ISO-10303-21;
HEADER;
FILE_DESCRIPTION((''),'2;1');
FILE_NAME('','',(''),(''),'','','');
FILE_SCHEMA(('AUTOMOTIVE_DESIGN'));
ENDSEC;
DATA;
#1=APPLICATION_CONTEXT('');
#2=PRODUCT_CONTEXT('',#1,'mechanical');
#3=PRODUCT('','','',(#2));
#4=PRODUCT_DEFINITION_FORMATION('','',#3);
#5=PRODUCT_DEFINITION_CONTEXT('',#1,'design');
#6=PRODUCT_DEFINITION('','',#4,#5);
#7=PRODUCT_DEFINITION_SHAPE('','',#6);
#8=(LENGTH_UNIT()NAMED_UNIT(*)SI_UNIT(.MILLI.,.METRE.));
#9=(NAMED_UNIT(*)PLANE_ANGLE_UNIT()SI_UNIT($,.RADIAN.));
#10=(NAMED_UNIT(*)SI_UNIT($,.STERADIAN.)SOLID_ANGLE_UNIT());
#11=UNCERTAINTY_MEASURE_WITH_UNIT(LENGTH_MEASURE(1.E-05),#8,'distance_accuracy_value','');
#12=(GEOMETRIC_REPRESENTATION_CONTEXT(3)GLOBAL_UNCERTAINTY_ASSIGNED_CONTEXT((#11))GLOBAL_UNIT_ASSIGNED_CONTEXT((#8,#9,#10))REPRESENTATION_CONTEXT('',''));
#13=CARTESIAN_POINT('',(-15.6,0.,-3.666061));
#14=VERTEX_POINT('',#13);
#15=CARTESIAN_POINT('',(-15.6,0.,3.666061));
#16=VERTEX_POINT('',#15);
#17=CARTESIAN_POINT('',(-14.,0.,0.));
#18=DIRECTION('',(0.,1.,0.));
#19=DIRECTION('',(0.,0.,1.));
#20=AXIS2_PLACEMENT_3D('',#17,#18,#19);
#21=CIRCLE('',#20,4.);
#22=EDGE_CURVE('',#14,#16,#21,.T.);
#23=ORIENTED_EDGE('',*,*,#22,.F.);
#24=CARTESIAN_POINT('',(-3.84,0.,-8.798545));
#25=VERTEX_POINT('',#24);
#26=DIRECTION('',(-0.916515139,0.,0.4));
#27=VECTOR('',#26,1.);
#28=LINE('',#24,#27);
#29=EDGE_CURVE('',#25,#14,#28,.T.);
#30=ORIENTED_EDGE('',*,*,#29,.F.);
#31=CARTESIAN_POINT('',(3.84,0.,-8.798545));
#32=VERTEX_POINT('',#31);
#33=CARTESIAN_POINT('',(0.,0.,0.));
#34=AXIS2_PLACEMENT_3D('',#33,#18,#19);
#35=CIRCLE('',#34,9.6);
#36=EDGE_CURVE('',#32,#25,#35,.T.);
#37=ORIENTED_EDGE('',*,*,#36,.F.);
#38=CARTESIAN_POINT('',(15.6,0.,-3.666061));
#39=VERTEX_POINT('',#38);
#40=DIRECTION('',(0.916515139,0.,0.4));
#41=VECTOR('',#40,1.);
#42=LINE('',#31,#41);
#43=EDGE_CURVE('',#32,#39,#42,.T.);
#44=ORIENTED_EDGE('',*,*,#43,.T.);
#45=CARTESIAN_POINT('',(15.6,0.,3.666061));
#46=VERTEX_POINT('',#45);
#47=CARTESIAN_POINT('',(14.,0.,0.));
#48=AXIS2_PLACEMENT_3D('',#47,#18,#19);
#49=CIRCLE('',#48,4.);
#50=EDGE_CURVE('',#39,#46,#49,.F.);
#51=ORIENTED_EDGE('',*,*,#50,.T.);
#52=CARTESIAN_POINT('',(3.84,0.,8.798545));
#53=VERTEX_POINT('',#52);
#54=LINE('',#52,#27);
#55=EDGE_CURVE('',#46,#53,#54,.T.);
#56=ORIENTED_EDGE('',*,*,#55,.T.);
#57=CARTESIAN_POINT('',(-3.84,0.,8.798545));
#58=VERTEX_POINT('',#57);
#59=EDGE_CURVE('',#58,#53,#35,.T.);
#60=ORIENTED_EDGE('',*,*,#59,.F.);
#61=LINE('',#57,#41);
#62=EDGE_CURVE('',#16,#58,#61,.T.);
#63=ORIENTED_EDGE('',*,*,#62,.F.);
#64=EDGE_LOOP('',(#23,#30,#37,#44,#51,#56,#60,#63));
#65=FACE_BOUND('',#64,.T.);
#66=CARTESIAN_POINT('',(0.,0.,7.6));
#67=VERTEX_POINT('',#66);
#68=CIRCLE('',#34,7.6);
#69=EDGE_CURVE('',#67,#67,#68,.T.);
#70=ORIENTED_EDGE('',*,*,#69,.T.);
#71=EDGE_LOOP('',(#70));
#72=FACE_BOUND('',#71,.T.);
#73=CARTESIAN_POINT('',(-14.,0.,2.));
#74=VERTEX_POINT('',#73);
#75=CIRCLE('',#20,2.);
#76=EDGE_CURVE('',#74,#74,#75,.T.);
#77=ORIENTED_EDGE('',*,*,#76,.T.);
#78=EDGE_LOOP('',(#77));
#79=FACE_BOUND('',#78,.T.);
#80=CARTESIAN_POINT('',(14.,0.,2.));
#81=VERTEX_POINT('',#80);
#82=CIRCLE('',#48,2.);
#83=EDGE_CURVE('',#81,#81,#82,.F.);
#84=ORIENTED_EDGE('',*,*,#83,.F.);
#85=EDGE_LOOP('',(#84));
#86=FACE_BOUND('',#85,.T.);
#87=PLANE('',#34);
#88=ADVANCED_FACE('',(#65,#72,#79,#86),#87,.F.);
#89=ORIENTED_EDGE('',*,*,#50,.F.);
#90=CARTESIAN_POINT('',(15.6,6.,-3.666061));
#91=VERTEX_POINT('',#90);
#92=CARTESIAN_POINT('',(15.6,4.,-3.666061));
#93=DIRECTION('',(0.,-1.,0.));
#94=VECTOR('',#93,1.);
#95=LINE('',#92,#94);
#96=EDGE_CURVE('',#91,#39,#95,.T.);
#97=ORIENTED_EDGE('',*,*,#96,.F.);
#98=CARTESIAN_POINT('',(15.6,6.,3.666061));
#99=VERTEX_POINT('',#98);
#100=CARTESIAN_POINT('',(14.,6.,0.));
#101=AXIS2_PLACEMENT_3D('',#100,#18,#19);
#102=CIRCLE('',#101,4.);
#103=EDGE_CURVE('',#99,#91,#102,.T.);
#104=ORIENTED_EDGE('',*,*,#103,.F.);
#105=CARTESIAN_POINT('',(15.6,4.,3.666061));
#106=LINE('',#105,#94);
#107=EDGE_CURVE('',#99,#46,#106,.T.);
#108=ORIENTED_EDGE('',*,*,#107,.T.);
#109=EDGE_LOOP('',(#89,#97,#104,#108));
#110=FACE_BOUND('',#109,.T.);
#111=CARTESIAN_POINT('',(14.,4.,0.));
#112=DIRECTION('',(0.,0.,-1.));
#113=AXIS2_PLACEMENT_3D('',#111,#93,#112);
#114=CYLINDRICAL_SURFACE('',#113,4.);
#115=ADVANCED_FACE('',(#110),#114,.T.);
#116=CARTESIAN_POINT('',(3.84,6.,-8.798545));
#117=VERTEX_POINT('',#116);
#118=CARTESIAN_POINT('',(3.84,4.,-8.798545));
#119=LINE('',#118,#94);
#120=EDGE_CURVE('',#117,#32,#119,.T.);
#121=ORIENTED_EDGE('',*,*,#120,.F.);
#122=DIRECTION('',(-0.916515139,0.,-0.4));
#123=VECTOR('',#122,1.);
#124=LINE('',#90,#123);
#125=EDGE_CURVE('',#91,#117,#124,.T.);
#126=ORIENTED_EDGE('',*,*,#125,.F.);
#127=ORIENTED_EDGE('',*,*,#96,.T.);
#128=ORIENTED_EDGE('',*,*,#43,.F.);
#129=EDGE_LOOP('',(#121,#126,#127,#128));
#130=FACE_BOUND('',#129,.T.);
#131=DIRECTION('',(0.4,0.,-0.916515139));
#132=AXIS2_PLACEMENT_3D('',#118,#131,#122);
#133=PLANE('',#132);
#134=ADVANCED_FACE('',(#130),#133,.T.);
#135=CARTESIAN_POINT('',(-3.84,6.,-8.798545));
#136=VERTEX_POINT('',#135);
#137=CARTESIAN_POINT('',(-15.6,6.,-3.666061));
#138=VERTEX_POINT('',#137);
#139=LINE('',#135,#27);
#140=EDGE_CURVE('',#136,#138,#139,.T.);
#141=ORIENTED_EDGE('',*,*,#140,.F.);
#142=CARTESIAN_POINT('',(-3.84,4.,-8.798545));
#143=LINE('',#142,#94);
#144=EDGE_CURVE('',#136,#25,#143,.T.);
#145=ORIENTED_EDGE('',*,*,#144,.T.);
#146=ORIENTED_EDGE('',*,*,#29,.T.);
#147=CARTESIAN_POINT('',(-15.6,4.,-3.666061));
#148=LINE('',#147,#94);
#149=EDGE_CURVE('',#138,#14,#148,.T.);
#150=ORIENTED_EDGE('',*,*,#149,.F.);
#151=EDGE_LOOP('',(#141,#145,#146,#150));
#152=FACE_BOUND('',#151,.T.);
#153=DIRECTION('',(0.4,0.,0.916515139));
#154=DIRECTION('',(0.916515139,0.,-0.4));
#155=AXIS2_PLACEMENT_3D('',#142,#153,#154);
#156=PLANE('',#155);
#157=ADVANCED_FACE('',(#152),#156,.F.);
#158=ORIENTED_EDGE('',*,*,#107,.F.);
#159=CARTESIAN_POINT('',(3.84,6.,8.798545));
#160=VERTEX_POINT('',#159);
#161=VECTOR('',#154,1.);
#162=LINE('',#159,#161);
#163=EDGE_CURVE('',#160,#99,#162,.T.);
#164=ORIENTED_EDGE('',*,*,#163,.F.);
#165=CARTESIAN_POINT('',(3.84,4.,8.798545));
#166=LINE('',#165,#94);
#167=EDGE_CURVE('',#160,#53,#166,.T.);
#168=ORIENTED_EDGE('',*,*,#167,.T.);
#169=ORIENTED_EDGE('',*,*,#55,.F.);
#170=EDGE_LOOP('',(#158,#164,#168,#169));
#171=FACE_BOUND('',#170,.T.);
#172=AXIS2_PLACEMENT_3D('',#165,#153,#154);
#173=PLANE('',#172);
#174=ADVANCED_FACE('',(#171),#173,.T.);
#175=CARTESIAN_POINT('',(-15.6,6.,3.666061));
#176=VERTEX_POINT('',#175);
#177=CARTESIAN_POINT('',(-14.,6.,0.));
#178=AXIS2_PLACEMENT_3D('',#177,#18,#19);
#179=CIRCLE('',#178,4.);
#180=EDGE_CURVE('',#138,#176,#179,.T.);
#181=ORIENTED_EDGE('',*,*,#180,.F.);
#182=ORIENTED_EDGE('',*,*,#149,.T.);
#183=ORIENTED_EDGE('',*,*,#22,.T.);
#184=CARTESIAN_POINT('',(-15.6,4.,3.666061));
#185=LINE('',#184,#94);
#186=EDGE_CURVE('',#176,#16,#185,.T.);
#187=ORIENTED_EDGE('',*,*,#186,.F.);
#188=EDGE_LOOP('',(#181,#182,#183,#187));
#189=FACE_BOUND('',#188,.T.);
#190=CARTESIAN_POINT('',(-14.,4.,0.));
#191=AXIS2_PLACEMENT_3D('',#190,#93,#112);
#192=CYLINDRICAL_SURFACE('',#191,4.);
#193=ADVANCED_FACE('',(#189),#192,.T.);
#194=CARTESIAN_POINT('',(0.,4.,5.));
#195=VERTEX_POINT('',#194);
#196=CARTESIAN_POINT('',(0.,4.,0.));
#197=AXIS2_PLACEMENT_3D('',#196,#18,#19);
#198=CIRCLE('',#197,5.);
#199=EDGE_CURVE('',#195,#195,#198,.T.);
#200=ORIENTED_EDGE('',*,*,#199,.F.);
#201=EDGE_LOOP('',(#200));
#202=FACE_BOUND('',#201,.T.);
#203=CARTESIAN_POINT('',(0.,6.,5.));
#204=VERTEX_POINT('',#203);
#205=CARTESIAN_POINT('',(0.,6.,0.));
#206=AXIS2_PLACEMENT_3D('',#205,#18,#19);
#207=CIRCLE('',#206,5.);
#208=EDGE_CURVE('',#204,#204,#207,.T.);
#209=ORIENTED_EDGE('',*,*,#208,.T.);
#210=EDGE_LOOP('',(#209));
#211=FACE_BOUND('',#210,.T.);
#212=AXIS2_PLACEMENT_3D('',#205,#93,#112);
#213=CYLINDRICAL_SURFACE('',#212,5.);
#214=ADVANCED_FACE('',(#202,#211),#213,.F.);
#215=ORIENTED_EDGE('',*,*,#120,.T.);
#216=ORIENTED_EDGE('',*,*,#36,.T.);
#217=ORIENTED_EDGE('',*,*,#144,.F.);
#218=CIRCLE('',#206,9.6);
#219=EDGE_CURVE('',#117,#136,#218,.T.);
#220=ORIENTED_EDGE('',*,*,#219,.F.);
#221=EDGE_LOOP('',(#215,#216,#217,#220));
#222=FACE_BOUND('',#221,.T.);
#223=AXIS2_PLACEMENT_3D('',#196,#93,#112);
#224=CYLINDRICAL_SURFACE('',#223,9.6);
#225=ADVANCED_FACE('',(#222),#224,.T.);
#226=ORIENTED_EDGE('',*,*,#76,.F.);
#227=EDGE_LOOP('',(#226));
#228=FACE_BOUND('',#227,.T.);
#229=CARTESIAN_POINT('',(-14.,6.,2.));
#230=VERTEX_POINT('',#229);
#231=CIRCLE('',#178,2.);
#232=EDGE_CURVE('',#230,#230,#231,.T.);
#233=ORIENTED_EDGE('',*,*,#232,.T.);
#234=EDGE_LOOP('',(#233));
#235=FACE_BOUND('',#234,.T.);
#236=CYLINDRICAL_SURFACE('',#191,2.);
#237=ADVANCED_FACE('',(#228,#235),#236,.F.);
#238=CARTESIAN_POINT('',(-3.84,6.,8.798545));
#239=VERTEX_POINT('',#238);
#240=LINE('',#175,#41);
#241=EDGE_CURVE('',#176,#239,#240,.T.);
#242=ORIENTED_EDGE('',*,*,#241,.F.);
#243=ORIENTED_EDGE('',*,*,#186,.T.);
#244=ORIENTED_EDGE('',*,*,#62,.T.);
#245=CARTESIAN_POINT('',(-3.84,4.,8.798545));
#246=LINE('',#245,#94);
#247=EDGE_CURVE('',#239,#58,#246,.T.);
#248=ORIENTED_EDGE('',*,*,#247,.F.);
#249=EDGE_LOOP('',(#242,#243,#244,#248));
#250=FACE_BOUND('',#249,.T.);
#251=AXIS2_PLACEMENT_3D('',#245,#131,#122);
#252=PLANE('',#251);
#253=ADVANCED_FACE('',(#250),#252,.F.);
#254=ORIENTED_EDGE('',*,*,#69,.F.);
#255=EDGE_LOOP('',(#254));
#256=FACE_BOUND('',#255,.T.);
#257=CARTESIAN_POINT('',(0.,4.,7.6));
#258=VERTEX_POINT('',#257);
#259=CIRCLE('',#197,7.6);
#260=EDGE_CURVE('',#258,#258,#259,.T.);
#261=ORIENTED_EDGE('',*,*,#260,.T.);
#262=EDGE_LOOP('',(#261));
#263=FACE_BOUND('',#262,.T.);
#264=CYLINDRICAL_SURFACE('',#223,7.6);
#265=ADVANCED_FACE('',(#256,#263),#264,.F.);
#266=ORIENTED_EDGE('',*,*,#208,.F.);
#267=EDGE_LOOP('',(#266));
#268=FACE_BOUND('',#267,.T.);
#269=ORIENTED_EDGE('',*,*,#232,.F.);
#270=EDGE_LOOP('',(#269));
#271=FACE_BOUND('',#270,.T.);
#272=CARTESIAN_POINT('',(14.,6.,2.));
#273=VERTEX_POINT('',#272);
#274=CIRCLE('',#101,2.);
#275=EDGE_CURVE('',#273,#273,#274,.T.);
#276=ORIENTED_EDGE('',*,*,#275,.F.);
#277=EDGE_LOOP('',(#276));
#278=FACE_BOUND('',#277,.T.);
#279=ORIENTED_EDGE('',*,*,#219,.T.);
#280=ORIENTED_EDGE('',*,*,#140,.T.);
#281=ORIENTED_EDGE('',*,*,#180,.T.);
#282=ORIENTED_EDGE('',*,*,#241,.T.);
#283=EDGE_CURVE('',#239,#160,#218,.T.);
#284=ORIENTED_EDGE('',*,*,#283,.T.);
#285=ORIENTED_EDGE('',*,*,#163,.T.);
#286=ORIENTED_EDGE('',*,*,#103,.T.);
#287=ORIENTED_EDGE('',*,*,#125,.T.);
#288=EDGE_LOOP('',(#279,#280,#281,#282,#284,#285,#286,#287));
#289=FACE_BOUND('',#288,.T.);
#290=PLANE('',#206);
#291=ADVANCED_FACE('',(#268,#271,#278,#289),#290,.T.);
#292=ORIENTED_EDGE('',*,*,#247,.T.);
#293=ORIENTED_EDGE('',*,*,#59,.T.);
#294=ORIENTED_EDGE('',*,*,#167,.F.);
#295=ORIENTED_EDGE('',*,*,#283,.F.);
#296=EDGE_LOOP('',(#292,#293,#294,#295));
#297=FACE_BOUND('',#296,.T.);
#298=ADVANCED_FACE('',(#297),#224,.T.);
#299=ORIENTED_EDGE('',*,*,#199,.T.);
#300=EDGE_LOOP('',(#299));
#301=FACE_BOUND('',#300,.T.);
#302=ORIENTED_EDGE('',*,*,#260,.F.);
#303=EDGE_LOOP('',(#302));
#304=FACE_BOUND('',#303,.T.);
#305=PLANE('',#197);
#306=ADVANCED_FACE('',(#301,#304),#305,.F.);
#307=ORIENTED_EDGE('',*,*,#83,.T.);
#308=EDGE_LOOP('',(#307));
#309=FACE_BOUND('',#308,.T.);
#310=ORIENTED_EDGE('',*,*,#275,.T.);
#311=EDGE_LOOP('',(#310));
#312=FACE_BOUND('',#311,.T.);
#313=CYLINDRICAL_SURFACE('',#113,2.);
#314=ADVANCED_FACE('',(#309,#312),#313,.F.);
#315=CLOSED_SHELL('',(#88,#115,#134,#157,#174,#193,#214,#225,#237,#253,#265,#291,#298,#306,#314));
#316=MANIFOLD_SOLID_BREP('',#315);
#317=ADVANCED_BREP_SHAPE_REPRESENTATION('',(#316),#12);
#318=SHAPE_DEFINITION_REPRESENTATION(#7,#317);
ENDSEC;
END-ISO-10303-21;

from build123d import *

# Parameters (mm, degrees)
SKETCH1_R           = 2
SKETCH1_R_2         = 9.6
SKETCH1_R_3         = 7.6
BOSS_EXTRUDE1_DEPTH = 4
SKETCH2_R           = 5
SKETCH2_R_2         = 2
BOSS_EXTRUDE2_DEPTH = 2


with BuildPart() as part:
    # Sketch1 → Boss-Extrude1 (new body)
    # profile 1 of 3: a face of its own
    with BuildSketch(Plane(origin=(0, 0, 0), x_dir=(1, 0, 0), z_dir=(0, 1, 0))):
        with BuildLine():
            ThreePointArc((-3.84, -8.798545334), (-9.6, 0), (-3.84, 8.798545334))
            Line((-3.84, 8.798545334), (-15.6, 3.666060556))
            ThreePointArc((-15.6, 3.666060556), (-18, 0), (-15.6, -3.666060556))
            Line((-15.6, -3.666060556), (-3.84, -8.798545334))
        make_face()
        with Locations(Location((-14, 0, 0), (0, 0, 270))):
            Circle(SKETCH1_R, mode=Mode.SUBTRACT)
    # profile 2 of 3: a face of its own
    with BuildSketch(Plane(origin=(0, 0, 0), x_dir=(1, 0, 0), z_dir=(0, 1, 0))):
        Circle(SKETCH1_R_2)
        with Locations(Location((0, 0, 0), (0, 0, 270))):
            Circle(SKETCH1_R_3, mode=Mode.SUBTRACT)
    # profile 3 of 3: a face of its own
    with BuildSketch(Plane(origin=(0, 0, 0), x_dir=(1, 0, 0), z_dir=(0, 1, 0))):
        with BuildLine():
            Line((15.6, 3.666060556), (3.84, 8.798545334))
            ThreePointArc((3.84, 8.798545334), (8.031936255, 5.258136552), (9.6, 0))
            ThreePointArc((9.6, 0), (8.031936255, -5.258136552), (3.84, -8.798545334))
            Line((3.84, -8.798545334), (15.6, -3.666060556))
            ThreePointArc((15.6, -3.666060556), (18, 0), (15.6, 3.666060556))
        make_face()
        with Locations(Location((14, 0, 0), (0, 0, 270))):
            Circle(SKETCH1_R, mode=Mode.SUBTRACT)
    extrude(amount=BOSS_EXTRUDE1_DEPTH)

    # Sketch2 → Boss-Extrude2 (add)
    with BuildSketch(Plane(origin=(0, 4, 0), x_dir=(1, 0, 0), z_dir=(0, 1, 0))):
        with BuildLine():
            Line((-3.84, 8.798545334), (-15.6, 3.666060556))
            ThreePointArc((-15.6, 3.666060556), (-18, 0), (-15.6, -3.666060556))
            Line((-15.6, -3.666060556), (-3.84, -8.798545334))
            ThreePointArc((-3.84, -8.798545334), (0, -9.6), (3.84, -8.798545334))
            Line((3.84, -8.798545334), (15.6, -3.666060556))
            ThreePointArc((15.6, -3.666060556), (18, 0), (15.6, 3.666060556))
            Line((15.6, 3.666060556), (3.84, 8.798545334))
            ThreePointArc((3.84, 8.798545334), (0, 9.6), (-3.84, 8.798545334))
        make_face()
        with Locations(Location((0, 0, 0), (0, 0, 270))):
            Circle(SKETCH2_R, mode=Mode.SUBTRACT)
        with Locations(Location((-14, 0, 0), (0, 0, 270))):
            Circle(SKETCH2_R_2, mode=Mode.SUBTRACT)
        with Locations(Location((14, 0, 0), (0, 0, 270))):
            Circle(SKETCH2_R_2, mode=Mode.SUBTRACT)
    extrude(amount=BOSS_EXTRUDE2_DEPTH)


solid = part.part
